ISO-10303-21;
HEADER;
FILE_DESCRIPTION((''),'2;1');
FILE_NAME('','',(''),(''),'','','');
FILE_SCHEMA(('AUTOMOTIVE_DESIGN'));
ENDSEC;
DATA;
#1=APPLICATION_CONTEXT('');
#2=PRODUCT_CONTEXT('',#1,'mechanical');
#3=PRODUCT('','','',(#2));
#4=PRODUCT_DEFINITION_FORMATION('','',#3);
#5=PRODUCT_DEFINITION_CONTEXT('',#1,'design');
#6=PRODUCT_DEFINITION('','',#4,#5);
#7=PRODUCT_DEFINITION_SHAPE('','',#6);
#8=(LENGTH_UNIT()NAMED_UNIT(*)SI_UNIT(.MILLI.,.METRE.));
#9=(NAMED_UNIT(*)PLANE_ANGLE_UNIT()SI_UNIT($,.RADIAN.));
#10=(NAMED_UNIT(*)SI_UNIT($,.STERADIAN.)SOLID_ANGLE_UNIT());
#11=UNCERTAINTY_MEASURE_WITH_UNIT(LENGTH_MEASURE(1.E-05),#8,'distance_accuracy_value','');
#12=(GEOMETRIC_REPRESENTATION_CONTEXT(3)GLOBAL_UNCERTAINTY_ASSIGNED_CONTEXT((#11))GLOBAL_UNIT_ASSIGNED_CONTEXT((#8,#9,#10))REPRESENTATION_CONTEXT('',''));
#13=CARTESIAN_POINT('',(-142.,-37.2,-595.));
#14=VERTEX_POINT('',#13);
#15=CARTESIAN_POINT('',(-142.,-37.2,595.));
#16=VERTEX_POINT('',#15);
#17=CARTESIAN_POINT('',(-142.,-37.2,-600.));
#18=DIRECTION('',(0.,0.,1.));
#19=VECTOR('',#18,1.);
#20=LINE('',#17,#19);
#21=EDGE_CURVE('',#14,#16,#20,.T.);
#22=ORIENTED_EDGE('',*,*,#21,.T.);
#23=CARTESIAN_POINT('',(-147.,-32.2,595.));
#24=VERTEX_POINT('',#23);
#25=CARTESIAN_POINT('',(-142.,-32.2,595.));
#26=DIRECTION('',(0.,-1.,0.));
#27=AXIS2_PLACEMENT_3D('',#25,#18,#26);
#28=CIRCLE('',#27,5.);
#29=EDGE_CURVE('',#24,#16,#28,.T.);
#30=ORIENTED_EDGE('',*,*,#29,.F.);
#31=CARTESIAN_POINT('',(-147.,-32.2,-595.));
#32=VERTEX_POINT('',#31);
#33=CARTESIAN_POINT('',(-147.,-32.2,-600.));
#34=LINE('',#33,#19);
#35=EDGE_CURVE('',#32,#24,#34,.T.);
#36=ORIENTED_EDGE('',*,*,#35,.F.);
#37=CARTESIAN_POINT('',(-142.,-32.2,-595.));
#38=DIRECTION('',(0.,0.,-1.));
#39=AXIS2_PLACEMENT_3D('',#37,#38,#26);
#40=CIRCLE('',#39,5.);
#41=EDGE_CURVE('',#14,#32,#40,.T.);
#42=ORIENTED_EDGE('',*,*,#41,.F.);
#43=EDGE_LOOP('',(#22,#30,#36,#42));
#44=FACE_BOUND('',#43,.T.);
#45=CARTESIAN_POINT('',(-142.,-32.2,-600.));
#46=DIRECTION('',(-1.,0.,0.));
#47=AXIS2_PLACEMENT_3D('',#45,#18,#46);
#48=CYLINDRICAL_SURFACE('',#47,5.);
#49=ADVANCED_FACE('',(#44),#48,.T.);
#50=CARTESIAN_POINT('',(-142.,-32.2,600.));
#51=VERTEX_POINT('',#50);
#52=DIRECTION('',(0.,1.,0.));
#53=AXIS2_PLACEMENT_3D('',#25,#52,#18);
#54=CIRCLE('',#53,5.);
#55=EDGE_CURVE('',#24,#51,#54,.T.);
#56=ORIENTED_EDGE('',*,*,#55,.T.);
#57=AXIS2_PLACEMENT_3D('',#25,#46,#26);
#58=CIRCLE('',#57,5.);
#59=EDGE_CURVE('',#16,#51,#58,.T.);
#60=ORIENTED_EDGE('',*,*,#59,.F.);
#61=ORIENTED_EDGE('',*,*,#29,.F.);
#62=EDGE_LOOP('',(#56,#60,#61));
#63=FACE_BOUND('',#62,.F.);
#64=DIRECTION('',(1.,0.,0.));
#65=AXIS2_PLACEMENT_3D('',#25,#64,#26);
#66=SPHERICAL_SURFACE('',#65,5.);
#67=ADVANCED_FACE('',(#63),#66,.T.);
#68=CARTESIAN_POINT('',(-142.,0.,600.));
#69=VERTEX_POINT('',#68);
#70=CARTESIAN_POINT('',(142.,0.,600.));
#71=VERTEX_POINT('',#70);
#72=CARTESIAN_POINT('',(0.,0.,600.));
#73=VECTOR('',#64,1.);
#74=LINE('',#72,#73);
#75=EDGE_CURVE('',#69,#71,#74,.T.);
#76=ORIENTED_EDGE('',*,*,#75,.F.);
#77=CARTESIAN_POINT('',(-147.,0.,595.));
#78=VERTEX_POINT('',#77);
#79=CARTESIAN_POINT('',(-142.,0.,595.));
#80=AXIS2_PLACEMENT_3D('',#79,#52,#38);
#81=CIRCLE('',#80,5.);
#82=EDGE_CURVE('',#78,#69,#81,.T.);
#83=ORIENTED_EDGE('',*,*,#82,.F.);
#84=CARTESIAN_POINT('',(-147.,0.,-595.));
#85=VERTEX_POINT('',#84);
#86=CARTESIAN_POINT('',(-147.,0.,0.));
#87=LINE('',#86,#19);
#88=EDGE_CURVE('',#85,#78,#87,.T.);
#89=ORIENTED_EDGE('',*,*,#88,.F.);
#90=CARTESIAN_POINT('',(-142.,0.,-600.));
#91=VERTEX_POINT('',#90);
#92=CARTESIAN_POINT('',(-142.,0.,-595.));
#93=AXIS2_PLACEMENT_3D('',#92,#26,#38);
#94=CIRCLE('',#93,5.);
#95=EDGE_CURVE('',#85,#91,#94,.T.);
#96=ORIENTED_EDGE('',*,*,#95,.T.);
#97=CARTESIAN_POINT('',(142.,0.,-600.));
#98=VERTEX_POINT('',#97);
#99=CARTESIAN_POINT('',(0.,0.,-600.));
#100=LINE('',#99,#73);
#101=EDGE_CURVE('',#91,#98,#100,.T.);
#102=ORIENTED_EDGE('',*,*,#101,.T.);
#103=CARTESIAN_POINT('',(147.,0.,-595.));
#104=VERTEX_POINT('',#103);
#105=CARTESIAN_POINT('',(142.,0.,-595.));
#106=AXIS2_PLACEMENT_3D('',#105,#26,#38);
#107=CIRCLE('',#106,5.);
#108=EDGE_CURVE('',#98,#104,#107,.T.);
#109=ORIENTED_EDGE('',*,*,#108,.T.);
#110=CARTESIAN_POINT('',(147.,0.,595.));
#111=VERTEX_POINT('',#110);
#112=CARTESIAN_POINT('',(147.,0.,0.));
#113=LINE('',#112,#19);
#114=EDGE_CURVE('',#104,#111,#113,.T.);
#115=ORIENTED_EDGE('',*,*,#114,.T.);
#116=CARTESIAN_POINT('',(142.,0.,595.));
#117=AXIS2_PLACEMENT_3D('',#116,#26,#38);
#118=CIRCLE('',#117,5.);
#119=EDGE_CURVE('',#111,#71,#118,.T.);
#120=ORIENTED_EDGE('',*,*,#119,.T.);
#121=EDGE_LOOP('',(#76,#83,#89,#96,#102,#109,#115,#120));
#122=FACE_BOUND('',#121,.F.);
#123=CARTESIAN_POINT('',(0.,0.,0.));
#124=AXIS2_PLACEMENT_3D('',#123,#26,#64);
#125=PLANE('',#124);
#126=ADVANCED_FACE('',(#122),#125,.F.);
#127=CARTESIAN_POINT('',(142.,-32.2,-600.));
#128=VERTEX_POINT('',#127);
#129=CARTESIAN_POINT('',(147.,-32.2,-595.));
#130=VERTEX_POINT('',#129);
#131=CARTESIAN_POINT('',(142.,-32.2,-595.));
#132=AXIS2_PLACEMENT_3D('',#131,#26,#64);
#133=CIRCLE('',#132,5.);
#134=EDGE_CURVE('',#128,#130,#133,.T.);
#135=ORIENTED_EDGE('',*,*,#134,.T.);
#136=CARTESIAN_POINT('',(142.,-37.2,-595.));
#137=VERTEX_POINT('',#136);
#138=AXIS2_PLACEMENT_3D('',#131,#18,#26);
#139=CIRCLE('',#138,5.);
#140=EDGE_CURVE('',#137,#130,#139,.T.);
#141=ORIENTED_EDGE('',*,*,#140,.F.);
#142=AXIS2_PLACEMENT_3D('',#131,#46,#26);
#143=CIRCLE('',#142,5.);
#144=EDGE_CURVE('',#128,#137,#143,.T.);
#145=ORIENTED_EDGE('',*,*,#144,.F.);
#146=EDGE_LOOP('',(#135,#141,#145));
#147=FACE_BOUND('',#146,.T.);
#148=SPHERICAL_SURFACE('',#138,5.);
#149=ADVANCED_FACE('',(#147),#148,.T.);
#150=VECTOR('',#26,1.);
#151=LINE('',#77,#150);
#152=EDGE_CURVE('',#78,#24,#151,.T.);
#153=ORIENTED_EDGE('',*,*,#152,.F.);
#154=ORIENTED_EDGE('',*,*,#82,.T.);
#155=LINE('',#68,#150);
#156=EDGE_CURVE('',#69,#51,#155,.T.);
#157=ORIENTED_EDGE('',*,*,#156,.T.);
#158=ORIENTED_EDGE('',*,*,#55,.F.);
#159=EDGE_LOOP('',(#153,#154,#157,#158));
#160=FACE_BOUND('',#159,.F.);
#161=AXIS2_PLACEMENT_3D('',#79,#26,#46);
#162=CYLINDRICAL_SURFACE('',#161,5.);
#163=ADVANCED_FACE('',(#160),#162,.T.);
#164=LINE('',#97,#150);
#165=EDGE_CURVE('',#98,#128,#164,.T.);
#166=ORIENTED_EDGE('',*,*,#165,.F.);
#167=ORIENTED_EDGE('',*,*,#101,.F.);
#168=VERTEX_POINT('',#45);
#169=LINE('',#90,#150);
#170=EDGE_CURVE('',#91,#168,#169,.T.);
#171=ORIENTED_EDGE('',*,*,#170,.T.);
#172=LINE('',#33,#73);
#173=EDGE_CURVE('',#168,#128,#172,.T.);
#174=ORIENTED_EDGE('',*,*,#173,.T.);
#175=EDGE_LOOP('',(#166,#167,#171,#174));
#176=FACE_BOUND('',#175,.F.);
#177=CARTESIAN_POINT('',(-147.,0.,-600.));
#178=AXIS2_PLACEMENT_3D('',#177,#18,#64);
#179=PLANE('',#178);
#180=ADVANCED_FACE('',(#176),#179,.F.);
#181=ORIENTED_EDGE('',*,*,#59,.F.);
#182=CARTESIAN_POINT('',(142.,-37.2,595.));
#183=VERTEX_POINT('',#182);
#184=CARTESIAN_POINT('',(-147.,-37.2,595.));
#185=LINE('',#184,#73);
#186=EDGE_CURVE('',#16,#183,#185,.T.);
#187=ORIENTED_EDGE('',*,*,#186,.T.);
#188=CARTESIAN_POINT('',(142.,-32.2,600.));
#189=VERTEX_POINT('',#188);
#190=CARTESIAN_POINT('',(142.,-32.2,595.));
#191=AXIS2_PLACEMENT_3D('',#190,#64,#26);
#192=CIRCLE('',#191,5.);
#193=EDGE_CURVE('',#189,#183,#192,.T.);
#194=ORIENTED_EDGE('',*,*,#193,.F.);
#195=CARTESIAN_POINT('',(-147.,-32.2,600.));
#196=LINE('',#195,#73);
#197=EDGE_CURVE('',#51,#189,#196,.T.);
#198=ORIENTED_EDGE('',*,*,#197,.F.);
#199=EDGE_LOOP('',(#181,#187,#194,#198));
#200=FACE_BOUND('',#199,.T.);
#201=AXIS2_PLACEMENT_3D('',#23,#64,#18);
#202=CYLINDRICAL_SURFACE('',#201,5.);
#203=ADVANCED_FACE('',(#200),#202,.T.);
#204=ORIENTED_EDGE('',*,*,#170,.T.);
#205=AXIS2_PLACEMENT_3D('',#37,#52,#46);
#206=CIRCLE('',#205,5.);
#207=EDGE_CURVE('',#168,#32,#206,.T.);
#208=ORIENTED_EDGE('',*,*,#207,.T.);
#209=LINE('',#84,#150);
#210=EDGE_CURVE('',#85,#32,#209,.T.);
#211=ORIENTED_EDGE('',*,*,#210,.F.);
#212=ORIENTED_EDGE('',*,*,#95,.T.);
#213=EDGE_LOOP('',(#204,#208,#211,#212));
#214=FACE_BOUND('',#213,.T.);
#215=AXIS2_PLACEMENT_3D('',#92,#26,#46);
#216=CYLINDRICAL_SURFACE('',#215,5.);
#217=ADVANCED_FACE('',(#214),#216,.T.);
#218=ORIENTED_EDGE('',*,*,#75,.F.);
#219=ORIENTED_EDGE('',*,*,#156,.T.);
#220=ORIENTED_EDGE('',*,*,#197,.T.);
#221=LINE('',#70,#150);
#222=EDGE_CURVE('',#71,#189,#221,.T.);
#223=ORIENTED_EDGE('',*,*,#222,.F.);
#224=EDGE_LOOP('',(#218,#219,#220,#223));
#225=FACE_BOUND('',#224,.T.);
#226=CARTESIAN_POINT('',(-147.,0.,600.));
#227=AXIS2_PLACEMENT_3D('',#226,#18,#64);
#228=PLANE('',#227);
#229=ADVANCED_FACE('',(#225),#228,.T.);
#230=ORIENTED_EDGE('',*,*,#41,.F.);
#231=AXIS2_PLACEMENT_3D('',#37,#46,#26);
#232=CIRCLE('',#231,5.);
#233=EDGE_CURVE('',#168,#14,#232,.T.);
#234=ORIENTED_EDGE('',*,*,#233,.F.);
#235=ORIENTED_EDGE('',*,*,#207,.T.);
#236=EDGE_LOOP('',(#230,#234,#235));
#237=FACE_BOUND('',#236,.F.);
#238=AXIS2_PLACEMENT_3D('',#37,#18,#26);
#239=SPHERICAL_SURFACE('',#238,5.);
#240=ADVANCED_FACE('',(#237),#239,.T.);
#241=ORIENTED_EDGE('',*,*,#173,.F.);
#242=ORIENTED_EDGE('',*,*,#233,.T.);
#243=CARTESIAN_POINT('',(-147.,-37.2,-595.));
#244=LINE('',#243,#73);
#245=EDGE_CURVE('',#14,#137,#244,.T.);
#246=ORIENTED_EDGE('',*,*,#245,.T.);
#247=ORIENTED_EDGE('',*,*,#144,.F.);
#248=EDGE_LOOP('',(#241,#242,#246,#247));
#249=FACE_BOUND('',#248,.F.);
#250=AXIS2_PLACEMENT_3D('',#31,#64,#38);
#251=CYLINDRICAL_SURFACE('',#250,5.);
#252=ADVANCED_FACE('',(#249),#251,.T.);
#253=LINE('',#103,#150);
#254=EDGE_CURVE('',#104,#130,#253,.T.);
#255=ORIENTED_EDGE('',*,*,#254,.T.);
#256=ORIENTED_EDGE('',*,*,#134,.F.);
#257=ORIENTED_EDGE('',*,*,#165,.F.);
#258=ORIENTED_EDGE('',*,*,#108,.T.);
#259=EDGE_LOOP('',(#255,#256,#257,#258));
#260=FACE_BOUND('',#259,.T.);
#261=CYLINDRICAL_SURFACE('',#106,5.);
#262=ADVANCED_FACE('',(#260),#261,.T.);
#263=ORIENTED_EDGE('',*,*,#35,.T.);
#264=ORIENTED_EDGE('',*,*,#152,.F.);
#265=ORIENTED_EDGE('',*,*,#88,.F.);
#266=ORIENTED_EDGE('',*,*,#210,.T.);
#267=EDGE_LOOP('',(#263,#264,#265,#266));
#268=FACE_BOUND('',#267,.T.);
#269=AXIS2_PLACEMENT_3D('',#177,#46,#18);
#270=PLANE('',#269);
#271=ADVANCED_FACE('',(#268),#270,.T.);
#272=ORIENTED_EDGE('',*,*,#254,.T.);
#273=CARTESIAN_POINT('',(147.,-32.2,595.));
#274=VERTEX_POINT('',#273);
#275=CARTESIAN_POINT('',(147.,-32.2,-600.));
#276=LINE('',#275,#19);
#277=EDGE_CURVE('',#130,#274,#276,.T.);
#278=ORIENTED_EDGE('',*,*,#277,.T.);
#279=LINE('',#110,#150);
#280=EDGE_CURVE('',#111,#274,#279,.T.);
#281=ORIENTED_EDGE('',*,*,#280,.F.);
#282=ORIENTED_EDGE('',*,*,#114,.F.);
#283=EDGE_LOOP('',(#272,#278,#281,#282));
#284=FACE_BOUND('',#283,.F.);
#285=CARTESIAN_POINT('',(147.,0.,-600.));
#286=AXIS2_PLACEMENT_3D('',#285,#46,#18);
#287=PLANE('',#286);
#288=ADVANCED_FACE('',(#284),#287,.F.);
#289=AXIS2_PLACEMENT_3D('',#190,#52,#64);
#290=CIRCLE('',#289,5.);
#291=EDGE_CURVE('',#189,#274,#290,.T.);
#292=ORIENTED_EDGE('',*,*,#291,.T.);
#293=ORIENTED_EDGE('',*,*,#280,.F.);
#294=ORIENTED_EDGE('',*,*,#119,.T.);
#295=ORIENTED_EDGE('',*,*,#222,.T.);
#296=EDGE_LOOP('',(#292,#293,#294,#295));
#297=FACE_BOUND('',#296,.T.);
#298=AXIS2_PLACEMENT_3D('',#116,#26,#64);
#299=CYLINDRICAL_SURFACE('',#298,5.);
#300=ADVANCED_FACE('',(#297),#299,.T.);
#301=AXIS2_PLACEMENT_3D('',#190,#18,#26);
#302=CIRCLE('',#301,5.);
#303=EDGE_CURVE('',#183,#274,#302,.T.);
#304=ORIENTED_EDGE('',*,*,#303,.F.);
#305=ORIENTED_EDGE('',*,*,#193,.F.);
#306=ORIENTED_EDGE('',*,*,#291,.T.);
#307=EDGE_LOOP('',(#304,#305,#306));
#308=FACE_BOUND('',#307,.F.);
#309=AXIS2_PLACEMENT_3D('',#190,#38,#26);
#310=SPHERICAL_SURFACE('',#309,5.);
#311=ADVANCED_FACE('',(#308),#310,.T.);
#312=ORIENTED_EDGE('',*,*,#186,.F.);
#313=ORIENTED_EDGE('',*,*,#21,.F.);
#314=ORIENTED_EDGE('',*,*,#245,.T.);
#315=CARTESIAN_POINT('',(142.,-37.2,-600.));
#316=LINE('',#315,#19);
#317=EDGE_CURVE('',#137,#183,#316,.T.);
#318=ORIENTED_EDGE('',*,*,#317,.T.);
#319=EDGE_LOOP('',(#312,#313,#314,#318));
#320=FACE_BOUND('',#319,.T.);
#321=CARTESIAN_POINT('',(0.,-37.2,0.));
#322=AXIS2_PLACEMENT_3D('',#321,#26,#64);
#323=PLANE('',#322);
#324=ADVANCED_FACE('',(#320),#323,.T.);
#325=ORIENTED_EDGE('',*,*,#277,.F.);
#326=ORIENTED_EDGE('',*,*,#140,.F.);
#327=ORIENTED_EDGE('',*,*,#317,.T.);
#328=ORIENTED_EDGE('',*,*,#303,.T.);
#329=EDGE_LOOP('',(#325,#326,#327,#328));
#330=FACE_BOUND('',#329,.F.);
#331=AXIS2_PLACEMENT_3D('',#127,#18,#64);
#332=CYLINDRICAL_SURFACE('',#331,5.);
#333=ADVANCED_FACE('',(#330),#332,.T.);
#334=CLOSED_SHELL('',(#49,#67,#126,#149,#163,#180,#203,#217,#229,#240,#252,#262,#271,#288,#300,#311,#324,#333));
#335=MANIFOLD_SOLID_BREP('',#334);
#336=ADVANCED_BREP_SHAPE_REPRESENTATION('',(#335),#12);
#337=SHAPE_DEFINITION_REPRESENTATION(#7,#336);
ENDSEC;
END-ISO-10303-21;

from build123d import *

# Parameters (mm, degrees)
F0_W     = 294
F0_H     = 1200
F1_DEPTH = 37.2
F2_R     = 5


with BuildPart() as f1:
    # F0 (on Front) → F1 (new body)
    with BuildSketch(Plane.XZ):
        Rectangle(F0_W, F0_H)
    extrude(amount=F1_DEPTH)

    # F2
    f2_edges = [f1.edges().sort_by_distance(p)[0] for p in [
        (147, -37.2, 0),
        (0, -37.2, 600),
        (-147, -37.2, 0),
        (0, -37.2, -600),
        (-147, -18.6, 600),
        (147, -18.6, 600),
        (147, -18.6, -600),
        (-147, -18.6, -600),
    ]]
    fillet(f2_edges, radius=F2_R)


solid = f1.part
